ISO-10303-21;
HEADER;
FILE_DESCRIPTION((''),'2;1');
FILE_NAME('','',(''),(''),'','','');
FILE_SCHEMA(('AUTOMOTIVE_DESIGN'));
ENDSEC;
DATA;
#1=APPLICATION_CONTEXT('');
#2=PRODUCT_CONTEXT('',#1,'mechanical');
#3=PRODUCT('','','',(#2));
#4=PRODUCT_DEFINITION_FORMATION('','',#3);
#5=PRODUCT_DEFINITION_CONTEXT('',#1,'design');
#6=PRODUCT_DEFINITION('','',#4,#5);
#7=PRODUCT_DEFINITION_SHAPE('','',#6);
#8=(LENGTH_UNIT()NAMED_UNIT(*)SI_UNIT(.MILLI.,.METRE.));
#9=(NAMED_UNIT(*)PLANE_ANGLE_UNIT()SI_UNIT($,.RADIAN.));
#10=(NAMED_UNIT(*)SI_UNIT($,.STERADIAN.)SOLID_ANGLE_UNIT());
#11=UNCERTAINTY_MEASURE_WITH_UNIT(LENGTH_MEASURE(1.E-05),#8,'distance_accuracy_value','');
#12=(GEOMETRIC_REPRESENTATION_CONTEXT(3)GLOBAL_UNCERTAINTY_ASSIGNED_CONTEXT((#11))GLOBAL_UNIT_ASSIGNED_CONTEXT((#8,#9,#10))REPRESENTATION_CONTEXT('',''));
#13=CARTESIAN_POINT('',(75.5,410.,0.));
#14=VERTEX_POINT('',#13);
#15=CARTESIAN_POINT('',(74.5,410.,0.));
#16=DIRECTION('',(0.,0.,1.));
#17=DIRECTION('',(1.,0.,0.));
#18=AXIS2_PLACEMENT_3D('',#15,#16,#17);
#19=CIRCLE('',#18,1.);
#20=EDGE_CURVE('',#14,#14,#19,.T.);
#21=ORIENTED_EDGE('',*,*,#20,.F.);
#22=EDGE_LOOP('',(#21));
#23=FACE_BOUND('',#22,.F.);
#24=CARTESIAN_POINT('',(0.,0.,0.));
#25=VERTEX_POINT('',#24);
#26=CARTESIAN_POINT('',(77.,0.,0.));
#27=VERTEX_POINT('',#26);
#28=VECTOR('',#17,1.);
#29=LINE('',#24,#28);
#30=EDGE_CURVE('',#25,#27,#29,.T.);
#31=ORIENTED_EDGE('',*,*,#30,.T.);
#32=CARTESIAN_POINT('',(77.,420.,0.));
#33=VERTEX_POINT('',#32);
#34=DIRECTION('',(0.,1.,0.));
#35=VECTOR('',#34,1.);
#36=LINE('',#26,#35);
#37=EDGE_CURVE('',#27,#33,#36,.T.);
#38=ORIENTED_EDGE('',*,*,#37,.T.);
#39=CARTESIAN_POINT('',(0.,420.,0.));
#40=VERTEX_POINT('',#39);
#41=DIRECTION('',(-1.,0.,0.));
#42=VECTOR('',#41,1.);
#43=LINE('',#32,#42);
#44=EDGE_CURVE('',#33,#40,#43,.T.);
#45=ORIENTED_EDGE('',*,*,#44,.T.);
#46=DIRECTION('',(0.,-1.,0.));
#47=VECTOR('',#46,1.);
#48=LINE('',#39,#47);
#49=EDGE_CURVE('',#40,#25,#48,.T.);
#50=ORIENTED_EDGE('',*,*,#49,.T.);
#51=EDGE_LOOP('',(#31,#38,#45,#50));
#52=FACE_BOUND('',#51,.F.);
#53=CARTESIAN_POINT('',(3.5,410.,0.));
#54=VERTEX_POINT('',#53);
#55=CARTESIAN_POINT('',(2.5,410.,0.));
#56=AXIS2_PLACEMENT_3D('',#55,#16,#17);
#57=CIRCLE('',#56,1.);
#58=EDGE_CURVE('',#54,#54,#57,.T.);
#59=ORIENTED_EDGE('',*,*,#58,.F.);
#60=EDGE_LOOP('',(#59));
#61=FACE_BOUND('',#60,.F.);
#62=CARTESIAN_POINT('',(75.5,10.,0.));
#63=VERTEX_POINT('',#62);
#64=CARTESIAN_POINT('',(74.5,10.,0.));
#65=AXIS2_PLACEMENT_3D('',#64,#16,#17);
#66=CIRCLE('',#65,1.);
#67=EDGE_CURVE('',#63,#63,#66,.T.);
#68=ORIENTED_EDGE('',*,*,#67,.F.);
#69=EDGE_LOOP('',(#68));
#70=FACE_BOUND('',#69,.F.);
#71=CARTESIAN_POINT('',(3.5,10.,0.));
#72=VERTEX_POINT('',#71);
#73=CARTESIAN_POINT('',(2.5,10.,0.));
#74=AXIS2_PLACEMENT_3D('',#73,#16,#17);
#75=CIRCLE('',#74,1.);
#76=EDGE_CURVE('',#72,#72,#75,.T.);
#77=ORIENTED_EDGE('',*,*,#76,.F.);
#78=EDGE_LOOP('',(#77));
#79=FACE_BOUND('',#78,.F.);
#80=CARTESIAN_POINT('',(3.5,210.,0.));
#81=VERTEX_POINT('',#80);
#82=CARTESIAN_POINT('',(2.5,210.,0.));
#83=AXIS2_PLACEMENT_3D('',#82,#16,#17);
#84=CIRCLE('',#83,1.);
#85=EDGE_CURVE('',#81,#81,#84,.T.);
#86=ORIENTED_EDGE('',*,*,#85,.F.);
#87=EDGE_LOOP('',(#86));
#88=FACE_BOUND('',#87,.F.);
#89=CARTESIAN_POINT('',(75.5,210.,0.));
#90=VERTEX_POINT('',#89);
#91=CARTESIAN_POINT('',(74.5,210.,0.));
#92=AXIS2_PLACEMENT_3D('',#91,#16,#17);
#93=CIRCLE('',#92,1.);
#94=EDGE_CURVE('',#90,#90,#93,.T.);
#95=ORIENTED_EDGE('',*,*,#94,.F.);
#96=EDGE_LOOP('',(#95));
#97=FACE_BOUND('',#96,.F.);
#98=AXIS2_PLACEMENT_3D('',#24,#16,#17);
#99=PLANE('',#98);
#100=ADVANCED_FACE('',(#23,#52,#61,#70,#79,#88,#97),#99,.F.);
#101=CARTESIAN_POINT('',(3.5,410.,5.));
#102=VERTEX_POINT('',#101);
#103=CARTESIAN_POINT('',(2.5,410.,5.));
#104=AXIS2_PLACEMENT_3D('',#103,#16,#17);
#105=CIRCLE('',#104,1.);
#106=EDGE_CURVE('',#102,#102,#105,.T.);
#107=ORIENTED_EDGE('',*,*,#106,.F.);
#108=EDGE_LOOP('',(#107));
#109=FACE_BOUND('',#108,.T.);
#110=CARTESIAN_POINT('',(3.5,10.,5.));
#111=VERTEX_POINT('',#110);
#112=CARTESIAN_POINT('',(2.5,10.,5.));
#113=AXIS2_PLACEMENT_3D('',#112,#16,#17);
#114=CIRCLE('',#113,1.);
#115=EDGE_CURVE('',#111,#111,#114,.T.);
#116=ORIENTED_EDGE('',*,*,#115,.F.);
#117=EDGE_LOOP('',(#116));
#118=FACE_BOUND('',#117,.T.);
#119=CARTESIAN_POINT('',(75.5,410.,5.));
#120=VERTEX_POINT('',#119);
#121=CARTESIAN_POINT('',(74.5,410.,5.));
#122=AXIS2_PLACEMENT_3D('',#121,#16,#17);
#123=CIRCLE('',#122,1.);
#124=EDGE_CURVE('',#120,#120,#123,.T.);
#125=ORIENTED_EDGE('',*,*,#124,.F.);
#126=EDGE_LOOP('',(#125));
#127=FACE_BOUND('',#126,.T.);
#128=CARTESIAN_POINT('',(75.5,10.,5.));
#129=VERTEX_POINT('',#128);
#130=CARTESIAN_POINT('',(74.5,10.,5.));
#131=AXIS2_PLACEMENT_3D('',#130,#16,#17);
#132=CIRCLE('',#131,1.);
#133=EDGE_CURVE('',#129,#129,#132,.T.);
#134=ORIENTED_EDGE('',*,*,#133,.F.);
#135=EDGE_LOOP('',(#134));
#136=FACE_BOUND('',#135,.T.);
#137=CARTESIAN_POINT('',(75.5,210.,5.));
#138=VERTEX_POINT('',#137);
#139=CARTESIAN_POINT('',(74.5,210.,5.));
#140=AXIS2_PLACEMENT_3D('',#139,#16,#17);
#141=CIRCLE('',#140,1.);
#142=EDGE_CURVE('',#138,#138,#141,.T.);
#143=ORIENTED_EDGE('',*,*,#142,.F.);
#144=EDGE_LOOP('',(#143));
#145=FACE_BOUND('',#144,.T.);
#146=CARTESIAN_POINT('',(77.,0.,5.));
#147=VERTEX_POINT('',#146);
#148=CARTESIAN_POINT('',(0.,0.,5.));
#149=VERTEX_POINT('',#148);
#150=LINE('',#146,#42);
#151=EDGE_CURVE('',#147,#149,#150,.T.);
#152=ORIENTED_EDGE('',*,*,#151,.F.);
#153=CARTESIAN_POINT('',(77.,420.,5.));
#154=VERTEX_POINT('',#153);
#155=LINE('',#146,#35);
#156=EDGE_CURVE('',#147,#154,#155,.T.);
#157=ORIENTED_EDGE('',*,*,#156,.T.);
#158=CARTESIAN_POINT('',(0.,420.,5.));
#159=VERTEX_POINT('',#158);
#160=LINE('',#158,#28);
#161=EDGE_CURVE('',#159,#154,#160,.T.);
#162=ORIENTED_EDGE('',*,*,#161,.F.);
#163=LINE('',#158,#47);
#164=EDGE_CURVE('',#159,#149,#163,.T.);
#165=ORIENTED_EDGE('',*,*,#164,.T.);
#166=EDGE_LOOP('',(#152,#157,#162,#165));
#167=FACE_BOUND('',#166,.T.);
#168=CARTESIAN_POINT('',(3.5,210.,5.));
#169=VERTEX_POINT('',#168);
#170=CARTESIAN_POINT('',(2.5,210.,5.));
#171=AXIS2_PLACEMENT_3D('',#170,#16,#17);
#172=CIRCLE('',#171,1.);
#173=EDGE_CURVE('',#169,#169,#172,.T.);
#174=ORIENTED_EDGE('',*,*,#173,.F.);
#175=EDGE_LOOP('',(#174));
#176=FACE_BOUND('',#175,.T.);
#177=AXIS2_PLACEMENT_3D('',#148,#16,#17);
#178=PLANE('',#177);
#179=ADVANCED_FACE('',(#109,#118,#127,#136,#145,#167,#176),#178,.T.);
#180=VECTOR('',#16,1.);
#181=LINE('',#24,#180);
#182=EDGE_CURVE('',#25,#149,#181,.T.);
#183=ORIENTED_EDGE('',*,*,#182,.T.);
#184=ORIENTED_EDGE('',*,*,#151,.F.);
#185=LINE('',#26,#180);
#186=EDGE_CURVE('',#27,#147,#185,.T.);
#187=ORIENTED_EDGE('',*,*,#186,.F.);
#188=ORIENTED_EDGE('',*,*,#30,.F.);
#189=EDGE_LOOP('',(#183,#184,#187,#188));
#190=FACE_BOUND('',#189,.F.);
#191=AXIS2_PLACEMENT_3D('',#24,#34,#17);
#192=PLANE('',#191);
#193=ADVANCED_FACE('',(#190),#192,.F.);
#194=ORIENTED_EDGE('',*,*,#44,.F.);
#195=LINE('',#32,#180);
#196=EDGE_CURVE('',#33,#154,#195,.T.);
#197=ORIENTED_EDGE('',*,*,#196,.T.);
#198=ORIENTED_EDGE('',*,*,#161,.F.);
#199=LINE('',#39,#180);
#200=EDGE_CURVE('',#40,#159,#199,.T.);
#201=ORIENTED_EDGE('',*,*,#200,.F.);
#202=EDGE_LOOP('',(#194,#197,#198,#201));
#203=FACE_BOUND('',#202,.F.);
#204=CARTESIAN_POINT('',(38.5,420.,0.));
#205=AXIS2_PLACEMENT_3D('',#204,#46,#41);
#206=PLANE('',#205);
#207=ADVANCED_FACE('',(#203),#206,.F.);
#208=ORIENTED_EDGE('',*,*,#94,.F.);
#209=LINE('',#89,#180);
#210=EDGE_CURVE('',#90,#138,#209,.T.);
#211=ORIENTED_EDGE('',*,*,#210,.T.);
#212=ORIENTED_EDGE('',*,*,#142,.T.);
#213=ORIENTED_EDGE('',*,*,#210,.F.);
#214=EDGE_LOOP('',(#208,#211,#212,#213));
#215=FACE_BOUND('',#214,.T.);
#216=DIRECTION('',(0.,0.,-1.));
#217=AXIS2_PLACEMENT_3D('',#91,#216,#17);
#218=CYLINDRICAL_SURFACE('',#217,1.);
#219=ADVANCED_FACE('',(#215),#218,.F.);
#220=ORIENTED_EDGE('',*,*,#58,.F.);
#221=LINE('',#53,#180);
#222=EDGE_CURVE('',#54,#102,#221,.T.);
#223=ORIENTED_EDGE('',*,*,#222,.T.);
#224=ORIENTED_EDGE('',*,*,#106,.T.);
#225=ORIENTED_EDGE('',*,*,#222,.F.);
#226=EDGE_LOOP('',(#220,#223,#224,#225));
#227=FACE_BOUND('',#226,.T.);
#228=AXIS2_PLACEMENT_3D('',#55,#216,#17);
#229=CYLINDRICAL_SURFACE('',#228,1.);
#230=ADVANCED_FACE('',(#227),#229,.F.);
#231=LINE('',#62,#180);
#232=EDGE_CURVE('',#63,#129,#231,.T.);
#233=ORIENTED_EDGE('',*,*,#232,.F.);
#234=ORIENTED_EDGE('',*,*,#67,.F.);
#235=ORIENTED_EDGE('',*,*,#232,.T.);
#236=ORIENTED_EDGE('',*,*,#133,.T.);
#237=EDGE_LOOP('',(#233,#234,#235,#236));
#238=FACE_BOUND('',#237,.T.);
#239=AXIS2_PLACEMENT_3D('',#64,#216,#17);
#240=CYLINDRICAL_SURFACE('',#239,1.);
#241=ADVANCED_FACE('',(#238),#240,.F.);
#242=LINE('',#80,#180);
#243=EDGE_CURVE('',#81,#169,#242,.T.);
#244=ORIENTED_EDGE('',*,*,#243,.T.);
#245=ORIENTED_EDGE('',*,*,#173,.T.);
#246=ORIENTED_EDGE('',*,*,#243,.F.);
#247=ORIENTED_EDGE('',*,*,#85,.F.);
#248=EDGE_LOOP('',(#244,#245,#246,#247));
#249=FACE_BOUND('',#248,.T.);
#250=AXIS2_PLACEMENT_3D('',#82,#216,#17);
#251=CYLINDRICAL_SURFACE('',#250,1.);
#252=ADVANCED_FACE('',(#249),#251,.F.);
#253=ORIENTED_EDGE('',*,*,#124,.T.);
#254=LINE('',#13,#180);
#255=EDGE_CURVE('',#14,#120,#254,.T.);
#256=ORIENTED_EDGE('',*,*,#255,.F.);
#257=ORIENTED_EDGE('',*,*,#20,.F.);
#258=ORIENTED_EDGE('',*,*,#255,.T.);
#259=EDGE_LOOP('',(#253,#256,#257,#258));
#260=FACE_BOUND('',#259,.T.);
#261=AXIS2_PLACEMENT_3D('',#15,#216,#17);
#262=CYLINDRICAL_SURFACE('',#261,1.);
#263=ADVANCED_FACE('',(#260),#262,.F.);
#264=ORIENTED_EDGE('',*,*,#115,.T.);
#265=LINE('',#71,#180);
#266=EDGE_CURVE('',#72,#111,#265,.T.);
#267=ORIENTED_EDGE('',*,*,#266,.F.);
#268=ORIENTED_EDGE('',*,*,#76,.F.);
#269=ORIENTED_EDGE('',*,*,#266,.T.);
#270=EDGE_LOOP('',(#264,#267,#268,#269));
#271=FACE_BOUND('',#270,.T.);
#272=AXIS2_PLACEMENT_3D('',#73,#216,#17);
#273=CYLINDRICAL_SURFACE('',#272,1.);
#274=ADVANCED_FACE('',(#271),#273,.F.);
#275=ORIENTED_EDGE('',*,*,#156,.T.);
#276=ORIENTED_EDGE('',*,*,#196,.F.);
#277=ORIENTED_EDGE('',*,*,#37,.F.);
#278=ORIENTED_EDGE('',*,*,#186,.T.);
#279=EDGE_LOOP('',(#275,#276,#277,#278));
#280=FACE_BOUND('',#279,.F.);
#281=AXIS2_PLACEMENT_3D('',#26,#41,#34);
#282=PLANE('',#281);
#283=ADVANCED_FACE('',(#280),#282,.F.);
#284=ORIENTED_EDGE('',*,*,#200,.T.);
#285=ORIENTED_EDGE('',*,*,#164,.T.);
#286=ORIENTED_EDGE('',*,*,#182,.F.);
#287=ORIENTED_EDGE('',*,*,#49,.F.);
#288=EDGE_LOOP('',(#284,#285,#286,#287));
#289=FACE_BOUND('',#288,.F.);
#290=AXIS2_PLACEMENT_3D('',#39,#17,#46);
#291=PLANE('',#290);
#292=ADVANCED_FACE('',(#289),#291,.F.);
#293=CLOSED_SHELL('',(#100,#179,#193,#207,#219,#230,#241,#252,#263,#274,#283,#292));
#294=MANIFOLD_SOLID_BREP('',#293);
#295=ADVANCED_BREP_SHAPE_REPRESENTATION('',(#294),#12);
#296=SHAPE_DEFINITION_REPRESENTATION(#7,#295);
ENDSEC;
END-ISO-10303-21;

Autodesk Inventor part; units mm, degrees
ref_plane "YZ Plane" through (0, 0, 0) normal (1, 0, 0) x (0, 1, 0)
ref_plane "XZ Plane" through (0, 0, 0) normal (0, 1, 0) x (-1, 0, 0)
ref_plane "XY Plane" through (0, 0, 0) normal (0, 0, 1) x (1, 0, 0)
sketch "Sketch1" plane through (0, 0, 0) normal (0, 0, 1) x (1, 0, 0)
  line L0 (0, 0) -> (77, 0)
  line L1 (77, 0) -> (77, 420)
  line L2 (77, 420) -> (0, 420)
  line L3 (0, 420) -> (0, 0)
  line L4 (38.5, 420) -> (38.5, -89.9361)
  circle A0 centre (2.5, 410) radius 1
  circle A1 centre (2.5, 210) radius 1
  circle A2 centre (2.5, 10) radius 1
  circle A3 centre (74.5, 410) radius 1
  circle A4 centre (74.5, 210) radius 1
  circle A5 centre (74.5, 10) radius 1
  dimension "d0" = 420
  dimension "d1" = 77
  dimension "d2" = 2
  dimension "d3" = 2
  dimension "d4" = 2
  dimension "d5" = 2.5
  dimension "d6" = 10
  dimension "d7" = 2.5
  dimension "d8" = 210
  dimension "d9" = 2.5
  dimension "d10" = 410
extrude "Extrusion1" add sketch "Sketch1" along normal blind 5
properties part number "Back_plate_profile_V2"
